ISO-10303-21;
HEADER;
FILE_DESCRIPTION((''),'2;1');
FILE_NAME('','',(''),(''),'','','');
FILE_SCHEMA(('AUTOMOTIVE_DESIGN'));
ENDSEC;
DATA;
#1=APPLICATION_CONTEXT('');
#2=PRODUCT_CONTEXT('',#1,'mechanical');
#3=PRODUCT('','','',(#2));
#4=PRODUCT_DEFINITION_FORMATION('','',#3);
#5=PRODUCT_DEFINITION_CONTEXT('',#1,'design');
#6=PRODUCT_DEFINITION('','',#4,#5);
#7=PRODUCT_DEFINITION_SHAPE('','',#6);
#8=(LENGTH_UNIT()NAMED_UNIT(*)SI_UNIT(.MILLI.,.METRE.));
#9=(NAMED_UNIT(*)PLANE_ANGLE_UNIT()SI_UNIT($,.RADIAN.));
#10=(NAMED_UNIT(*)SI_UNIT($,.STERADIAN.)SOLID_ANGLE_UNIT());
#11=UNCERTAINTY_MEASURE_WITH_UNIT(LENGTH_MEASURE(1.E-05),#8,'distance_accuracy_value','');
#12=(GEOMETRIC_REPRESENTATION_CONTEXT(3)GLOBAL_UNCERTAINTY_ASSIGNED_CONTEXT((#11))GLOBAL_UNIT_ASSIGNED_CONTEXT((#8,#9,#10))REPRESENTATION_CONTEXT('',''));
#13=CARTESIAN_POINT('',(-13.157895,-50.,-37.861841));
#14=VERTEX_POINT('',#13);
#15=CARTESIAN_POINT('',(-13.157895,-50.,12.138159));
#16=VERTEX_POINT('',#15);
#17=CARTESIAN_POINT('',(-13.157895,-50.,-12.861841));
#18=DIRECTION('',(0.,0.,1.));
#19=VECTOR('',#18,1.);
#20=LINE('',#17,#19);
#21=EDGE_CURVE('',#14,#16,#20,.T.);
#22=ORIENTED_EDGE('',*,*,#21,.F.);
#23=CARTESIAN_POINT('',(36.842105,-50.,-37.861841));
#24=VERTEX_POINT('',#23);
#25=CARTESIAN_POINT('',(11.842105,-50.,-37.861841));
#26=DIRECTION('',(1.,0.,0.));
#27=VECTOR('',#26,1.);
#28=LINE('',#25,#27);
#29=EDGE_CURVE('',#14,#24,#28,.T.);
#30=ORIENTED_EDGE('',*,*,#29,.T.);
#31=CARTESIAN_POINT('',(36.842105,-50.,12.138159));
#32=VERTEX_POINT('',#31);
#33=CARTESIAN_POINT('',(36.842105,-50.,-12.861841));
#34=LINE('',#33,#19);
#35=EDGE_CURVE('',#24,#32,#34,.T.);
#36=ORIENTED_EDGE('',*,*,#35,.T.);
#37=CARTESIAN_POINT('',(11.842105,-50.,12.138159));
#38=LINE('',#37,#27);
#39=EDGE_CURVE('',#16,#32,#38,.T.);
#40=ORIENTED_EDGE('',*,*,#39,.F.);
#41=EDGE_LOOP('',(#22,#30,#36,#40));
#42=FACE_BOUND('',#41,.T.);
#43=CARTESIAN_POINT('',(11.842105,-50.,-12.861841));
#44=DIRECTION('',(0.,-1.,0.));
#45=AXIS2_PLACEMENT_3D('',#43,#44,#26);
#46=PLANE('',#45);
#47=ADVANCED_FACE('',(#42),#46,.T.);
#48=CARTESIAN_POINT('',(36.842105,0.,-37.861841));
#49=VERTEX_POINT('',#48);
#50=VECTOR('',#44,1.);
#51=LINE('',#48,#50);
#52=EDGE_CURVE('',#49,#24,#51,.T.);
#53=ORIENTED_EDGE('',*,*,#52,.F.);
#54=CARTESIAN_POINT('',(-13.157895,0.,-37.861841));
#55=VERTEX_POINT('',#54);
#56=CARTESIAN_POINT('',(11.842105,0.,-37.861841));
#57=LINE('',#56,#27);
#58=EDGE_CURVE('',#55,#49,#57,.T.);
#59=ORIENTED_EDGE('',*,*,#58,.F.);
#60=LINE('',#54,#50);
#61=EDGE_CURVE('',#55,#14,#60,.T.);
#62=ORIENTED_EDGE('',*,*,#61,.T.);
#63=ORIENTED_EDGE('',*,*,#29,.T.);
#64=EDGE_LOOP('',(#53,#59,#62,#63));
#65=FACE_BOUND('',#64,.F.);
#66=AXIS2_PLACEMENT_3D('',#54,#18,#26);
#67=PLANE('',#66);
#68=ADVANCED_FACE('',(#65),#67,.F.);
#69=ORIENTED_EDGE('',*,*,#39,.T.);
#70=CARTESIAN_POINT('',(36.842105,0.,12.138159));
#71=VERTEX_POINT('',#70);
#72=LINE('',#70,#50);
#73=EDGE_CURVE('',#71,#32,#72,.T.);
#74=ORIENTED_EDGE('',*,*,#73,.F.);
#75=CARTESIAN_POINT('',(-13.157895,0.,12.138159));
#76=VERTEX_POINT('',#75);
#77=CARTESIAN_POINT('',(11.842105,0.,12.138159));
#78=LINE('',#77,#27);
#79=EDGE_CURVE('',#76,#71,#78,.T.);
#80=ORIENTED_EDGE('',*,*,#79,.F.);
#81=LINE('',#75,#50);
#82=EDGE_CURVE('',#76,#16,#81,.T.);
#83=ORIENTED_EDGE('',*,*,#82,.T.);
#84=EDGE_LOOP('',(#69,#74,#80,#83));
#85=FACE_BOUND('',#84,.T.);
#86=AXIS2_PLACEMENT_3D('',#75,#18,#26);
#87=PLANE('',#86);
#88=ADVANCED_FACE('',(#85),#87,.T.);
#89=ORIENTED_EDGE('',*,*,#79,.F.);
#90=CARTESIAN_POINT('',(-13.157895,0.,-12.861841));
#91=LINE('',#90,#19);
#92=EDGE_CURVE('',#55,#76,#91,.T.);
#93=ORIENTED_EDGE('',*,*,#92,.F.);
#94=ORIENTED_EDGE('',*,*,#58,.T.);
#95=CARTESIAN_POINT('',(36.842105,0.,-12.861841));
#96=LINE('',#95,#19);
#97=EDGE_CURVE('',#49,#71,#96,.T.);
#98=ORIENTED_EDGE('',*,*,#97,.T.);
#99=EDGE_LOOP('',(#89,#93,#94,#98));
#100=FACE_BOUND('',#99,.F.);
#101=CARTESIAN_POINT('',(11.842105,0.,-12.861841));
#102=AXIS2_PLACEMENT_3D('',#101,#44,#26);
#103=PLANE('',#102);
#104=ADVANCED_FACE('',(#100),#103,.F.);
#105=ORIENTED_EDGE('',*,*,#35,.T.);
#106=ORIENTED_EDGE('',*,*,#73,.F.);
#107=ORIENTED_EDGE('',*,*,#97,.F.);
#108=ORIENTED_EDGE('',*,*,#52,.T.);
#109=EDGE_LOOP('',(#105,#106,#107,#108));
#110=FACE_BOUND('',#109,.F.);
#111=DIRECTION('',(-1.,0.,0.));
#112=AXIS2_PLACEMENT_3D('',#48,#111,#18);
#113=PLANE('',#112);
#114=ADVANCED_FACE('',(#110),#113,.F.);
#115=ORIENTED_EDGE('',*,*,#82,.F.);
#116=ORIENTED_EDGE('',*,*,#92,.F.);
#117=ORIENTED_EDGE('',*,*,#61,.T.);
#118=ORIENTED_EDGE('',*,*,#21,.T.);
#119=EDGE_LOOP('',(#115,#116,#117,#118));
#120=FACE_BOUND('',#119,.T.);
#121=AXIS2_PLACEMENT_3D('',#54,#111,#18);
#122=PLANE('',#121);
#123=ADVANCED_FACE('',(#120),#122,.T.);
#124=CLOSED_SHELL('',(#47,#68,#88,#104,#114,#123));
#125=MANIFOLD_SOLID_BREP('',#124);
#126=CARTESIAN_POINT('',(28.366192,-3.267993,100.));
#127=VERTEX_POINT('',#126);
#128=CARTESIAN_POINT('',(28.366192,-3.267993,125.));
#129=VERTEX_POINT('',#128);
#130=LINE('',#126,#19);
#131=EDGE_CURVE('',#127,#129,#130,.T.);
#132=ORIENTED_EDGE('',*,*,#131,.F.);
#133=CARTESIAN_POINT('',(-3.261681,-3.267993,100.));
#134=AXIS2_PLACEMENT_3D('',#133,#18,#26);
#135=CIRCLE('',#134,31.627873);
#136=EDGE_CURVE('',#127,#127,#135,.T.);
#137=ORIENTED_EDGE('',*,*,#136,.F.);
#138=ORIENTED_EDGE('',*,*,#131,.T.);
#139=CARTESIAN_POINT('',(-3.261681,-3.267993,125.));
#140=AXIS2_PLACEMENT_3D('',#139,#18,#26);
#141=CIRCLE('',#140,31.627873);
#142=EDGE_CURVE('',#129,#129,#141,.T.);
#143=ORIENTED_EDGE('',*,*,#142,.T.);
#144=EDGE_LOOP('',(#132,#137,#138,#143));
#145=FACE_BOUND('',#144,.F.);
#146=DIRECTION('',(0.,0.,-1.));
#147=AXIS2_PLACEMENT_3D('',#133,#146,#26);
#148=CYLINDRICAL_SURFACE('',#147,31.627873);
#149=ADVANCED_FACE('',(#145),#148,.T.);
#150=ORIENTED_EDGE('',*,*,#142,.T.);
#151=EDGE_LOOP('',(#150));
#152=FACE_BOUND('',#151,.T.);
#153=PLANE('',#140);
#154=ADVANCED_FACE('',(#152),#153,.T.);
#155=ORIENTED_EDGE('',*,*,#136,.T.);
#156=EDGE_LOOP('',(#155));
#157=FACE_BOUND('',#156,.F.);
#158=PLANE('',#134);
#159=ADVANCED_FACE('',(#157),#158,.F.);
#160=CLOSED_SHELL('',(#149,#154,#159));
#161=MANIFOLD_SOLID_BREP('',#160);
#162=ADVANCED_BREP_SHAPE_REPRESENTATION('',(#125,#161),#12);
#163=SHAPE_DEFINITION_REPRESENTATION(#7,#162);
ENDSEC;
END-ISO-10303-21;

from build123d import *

# Parameters (mm, degrees)
F0_W     = 50
F0_H     = 50
F1_DEPTH = 50
F3_R     = 31.627873
F4_DEPTH = 25


with BuildPart() as f1:
    # F0 (on Front) → F1 (new body)
    with BuildSketch(Plane.XZ):
        with Locations((11.842105, -12.861841)):
            Rectangle(F0_W, F0_H)
    extrude(amount=F1_DEPTH)


with BuildPart() as f4:
    # F3 (on offset) → F4 (new body)
    with BuildSketch(Plane.XY.offset(100)):
        with Locations((-3.261681, -3.267993)):
            Circle(F3_R)
    extrude(amount=F4_DEPTH)


solid = Compound([f1.part, f4.part])
